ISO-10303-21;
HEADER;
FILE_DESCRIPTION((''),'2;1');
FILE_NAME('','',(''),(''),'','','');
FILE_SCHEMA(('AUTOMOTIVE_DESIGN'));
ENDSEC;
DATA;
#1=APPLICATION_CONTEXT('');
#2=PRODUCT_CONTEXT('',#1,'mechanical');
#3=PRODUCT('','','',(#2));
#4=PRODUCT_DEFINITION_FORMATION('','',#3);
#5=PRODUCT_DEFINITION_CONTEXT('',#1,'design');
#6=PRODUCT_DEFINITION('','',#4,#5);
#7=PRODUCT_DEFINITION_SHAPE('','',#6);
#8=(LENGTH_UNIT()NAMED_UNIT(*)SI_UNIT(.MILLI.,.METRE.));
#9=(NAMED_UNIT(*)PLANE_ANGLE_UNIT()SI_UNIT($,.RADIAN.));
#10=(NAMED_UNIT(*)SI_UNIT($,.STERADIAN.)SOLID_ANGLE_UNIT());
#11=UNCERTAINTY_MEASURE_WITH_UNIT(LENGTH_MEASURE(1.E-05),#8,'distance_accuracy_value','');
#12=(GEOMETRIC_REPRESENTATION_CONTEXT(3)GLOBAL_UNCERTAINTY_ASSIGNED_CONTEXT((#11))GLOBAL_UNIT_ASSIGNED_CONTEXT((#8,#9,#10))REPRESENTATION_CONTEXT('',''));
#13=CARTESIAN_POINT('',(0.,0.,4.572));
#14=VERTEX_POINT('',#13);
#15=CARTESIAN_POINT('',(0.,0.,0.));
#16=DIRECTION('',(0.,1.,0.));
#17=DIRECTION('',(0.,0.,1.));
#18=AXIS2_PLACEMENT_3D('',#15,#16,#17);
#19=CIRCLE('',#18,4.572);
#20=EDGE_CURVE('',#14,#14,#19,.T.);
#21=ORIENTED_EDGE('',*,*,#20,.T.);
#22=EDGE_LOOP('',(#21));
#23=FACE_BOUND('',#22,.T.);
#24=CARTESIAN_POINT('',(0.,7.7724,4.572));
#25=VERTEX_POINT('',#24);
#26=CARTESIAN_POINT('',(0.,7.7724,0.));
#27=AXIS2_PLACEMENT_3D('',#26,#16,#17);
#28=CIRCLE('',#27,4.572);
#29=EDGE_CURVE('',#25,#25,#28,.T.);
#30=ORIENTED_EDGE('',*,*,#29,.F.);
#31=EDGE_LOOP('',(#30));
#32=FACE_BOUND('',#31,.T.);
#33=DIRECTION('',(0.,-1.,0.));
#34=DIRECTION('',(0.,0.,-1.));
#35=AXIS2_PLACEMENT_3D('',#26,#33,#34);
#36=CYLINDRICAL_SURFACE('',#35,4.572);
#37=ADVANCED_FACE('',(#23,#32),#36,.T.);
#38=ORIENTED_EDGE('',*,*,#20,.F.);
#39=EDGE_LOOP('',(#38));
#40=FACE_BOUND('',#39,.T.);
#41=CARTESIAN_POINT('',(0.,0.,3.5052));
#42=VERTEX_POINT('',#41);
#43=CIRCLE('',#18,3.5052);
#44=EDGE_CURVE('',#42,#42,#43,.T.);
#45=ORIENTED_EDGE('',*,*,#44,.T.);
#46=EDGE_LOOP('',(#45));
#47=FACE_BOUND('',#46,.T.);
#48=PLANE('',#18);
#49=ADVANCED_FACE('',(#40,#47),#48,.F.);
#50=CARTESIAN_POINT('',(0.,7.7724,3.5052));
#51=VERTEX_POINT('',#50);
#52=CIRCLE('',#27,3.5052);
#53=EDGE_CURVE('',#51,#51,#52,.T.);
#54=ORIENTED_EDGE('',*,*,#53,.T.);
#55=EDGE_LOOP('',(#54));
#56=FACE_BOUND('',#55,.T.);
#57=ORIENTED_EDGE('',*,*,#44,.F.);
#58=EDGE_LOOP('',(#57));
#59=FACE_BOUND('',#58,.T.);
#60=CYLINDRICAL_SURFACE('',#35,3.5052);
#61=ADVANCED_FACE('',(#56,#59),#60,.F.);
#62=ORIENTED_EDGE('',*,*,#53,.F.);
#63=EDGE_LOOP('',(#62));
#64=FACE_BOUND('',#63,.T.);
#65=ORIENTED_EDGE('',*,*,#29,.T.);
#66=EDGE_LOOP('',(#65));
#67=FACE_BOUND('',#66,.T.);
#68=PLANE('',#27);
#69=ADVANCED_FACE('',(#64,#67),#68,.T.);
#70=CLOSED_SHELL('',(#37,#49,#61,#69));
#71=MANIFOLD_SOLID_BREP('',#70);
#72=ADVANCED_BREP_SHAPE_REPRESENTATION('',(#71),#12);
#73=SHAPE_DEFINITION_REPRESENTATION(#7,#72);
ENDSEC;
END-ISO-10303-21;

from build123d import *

# Parameters (mm, degrees)
SKETCH1_R      = 4.572
SKETCH1_R_2    = 3.5052
EXTRUDE1_DEPTH = 7.7724


with BuildPart() as part:
    # Sketch1 → Extrude1 (new body)
    with BuildSketch(Plane(origin=(0, 0, 0), x_dir=(1, 0, 0), z_dir=(0, 1, 0))):
        with Locations(Location((0, 0, 0), (0, 0, 270))):  # turned: the seam where the file's is
            Circle(SKETCH1_R)
        with Locations(Location((0, 0, 0), (0, 0, 270))):  # turned: the seam where the file's is
            Circle(SKETCH1_R_2, mode=Mode.SUBTRACT)
    extrude(amount=EXTRUDE1_DEPTH)


solid = part.part
